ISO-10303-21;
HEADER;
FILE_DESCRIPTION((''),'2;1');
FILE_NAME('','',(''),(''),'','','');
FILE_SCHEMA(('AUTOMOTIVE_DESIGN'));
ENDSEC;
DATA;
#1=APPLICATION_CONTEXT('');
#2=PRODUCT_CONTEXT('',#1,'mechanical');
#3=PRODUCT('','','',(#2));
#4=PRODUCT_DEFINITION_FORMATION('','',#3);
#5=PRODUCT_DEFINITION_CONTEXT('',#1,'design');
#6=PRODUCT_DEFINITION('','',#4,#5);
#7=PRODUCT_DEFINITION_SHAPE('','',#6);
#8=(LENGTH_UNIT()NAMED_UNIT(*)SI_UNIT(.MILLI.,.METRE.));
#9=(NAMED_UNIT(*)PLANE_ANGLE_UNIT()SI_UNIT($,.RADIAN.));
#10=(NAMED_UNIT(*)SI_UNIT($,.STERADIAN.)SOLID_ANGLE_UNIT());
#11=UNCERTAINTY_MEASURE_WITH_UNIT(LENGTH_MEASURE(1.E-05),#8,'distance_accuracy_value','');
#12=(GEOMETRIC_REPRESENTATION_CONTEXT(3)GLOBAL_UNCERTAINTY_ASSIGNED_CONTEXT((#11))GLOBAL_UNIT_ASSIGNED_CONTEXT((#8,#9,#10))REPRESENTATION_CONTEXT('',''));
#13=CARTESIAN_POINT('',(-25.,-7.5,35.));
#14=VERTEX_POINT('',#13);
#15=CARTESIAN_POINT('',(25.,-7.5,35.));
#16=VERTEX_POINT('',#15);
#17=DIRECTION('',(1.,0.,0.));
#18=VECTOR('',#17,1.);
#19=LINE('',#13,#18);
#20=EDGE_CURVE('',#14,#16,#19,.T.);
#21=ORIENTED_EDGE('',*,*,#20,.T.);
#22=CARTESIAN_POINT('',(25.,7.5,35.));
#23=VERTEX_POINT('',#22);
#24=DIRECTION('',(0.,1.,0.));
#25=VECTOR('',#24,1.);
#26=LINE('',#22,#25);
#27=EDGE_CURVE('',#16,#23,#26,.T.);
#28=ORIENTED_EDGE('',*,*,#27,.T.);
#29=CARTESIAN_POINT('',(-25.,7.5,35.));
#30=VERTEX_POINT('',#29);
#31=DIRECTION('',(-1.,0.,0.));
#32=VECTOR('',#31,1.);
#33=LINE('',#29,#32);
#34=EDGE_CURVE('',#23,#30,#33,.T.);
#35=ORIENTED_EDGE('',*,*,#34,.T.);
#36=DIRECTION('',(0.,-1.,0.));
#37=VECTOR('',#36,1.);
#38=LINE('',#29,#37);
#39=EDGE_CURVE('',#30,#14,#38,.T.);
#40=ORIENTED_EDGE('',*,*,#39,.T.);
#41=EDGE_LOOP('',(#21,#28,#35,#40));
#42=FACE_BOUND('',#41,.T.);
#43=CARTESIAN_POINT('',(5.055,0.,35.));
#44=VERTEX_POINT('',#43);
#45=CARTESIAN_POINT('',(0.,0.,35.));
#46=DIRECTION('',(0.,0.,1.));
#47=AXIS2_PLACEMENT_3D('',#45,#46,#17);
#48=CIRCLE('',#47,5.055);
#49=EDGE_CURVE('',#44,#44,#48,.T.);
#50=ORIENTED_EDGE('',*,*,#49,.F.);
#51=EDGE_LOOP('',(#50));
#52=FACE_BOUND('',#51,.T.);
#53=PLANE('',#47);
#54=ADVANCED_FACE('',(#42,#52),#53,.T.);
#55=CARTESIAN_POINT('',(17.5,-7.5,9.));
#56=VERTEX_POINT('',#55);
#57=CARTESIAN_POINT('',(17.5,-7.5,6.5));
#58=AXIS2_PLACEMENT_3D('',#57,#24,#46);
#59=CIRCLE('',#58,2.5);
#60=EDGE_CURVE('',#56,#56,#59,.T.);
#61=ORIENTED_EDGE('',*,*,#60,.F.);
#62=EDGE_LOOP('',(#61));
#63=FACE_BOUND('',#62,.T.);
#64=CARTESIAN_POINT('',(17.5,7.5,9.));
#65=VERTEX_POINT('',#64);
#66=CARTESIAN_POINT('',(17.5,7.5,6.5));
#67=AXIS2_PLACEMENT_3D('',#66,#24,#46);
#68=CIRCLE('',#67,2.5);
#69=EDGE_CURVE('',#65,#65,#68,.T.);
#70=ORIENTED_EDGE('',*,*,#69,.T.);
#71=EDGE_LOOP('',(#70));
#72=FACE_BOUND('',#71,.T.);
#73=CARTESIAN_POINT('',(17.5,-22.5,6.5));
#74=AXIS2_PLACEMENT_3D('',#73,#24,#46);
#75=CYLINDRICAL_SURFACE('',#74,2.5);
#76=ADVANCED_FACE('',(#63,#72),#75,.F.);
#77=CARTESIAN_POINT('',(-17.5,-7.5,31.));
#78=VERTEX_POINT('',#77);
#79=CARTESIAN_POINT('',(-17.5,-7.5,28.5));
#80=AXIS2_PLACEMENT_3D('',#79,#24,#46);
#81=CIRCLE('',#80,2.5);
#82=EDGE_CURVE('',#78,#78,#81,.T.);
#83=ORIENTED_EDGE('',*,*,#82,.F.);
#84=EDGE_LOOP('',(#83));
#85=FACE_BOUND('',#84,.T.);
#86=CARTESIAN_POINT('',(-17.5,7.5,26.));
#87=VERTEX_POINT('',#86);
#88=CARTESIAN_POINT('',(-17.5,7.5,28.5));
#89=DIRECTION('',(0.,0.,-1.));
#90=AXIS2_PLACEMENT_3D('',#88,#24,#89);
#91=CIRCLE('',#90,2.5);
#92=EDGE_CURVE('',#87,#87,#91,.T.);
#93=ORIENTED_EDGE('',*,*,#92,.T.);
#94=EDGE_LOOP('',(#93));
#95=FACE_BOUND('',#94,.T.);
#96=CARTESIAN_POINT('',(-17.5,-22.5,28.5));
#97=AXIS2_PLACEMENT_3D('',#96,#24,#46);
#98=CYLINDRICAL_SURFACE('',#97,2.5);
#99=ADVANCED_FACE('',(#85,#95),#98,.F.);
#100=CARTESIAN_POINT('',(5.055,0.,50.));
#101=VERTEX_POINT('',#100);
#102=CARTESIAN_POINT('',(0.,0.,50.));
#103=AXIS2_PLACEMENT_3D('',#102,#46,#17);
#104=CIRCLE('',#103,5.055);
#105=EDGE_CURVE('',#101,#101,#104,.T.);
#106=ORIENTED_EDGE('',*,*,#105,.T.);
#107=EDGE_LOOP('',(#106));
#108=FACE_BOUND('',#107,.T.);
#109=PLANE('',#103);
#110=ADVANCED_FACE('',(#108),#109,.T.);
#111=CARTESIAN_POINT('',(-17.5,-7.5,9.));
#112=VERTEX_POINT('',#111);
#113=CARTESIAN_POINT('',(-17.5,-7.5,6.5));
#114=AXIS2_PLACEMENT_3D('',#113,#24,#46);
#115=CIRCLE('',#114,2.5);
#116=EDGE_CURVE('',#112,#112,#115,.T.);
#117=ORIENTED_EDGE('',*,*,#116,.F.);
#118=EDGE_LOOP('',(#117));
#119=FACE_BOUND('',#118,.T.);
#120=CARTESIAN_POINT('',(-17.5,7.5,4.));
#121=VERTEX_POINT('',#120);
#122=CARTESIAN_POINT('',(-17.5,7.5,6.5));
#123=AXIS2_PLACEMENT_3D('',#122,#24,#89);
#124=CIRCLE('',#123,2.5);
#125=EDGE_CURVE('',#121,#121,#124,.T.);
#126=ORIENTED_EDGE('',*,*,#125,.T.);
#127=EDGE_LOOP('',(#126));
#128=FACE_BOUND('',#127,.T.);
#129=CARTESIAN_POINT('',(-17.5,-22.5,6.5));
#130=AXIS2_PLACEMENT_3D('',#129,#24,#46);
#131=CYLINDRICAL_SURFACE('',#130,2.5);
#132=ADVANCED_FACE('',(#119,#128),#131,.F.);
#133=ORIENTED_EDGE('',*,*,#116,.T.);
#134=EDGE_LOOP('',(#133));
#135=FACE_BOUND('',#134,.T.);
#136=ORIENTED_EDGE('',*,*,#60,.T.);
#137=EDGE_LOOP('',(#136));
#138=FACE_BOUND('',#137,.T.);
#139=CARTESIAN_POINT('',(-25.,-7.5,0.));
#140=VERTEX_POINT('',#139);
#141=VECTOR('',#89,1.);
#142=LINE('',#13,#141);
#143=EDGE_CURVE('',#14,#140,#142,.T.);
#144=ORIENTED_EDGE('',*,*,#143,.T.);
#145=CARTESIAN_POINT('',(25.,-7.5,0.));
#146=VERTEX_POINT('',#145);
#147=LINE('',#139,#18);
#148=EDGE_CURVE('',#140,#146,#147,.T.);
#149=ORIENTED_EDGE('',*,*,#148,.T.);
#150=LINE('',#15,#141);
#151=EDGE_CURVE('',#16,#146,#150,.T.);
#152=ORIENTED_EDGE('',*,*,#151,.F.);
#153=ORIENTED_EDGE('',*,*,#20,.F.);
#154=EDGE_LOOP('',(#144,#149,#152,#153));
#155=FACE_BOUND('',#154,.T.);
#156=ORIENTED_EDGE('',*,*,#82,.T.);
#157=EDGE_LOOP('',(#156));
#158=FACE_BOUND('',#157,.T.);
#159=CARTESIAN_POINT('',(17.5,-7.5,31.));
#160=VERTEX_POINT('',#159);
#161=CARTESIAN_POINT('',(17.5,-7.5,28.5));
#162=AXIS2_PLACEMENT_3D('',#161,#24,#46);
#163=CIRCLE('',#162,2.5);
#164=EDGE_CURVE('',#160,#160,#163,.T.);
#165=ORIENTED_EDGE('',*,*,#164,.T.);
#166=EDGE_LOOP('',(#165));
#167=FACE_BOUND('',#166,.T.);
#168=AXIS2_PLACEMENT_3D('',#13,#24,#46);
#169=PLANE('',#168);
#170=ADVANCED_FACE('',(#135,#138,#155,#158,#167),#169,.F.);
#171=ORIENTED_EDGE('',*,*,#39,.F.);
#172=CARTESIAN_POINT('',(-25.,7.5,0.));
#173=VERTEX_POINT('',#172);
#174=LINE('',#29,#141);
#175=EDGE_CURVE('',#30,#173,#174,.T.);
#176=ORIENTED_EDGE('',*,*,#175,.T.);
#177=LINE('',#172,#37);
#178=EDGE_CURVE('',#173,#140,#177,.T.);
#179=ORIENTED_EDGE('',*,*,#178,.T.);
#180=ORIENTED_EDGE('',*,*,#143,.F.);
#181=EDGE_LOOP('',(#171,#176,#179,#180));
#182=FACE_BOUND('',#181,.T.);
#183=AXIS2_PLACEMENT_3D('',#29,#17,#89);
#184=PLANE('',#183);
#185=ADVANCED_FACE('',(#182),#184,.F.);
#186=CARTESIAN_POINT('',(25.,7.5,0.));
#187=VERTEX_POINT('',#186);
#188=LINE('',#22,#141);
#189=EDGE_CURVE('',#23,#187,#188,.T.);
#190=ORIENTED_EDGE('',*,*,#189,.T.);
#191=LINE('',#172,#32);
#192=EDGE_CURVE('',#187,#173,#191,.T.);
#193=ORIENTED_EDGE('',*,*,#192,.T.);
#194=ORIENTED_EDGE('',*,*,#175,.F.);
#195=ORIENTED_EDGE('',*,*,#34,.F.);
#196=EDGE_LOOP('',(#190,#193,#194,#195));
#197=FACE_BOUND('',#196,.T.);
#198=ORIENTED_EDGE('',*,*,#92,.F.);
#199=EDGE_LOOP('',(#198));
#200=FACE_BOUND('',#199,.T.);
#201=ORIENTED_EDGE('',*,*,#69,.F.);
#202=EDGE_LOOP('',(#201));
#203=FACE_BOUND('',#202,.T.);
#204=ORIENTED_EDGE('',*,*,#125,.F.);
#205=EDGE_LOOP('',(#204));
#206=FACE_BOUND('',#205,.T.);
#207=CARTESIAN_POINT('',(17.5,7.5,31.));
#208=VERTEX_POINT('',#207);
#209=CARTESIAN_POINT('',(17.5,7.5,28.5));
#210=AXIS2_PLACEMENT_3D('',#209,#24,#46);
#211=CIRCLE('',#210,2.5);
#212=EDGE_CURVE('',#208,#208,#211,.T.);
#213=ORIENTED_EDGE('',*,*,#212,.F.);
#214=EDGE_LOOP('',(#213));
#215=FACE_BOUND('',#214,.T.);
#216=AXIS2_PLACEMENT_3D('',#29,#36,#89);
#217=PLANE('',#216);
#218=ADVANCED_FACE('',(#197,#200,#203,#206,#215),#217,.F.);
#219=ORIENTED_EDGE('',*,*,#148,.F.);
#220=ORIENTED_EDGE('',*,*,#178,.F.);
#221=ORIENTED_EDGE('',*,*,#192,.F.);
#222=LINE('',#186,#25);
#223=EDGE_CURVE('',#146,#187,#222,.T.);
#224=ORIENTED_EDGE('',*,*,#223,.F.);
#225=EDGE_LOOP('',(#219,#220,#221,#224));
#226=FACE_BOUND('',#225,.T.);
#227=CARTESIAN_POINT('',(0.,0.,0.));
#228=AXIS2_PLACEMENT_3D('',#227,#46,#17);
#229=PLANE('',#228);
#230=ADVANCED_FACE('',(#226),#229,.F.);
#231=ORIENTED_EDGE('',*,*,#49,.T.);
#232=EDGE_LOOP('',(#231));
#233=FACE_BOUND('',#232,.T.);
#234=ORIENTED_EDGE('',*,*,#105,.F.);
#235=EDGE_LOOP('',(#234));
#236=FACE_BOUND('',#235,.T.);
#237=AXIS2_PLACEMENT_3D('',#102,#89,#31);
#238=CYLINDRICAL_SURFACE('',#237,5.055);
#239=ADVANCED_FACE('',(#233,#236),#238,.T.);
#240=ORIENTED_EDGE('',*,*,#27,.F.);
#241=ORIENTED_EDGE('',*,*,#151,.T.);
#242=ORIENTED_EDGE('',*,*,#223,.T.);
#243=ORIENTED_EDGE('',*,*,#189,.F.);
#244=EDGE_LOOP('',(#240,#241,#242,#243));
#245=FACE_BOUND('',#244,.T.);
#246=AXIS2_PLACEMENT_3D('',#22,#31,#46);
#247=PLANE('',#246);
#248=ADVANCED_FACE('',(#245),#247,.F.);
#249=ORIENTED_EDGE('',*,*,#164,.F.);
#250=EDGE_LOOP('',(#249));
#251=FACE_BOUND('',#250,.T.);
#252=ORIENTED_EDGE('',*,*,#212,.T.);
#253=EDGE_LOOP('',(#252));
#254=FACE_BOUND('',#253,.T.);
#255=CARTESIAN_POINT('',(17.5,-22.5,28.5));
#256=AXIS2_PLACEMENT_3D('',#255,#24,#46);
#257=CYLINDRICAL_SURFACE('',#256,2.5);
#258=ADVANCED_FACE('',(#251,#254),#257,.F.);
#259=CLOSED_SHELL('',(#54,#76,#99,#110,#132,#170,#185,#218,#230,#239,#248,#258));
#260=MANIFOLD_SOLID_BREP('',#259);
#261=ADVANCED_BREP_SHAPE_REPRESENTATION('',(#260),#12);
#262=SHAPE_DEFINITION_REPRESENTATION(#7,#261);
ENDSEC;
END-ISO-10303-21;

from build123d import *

# Parameters (mm, degrees)
SKETCH1_W           = 50
SKETCH1_H           = 15
BOSS_EXTRUDE1_DEPTH = 35
SKETCH2_R           = 2.5
CUT_EXTRUDE1_DEPTH  = 30
SKETCH3_R           = 5.055
BOSS_EXTRUDE2_DEPTH = 15


with BuildPart() as part:
    # Sketch1 → Boss-Extrude1 (new body)
    with BuildSketch(Plane.XY):
        Rectangle(SKETCH1_W, SKETCH1_H)
    extrude(amount=BOSS_EXTRUDE1_DEPTH)

    # Sketch2 → Cut-Extrude1 (cut)
    with BuildSketch(Plane(origin=(0, 7.5, 0), x_dir=(1, 0, 0), z_dir=(0, 1, 0))):
        with Locations(Location((17.5, -6.5, 0), (0, 0, 270))):
            Circle(SKETCH2_R)
        with Locations(Location((17.5, -28.5, 0), (0, 0, 270))):
            Circle(SKETCH2_R)
        with Locations(Location((-17.5, -28.5, 0), (0, 0, 270))):
            Circle(SKETCH2_R)
        with Locations(Location((-17.5, -6.5, 0), (0, 0, 270))):
            Circle(SKETCH2_R)
    extrude(amount=-CUT_EXTRUDE1_DEPTH, mode=Mode.SUBTRACT)

    # Sketch3 → Boss-Extrude2 (add)
    with BuildSketch(Plane.XY.offset(35)):
        Circle(SKETCH3_R)
    extrude(amount=BOSS_EXTRUDE2_DEPTH)


solid = part.part
